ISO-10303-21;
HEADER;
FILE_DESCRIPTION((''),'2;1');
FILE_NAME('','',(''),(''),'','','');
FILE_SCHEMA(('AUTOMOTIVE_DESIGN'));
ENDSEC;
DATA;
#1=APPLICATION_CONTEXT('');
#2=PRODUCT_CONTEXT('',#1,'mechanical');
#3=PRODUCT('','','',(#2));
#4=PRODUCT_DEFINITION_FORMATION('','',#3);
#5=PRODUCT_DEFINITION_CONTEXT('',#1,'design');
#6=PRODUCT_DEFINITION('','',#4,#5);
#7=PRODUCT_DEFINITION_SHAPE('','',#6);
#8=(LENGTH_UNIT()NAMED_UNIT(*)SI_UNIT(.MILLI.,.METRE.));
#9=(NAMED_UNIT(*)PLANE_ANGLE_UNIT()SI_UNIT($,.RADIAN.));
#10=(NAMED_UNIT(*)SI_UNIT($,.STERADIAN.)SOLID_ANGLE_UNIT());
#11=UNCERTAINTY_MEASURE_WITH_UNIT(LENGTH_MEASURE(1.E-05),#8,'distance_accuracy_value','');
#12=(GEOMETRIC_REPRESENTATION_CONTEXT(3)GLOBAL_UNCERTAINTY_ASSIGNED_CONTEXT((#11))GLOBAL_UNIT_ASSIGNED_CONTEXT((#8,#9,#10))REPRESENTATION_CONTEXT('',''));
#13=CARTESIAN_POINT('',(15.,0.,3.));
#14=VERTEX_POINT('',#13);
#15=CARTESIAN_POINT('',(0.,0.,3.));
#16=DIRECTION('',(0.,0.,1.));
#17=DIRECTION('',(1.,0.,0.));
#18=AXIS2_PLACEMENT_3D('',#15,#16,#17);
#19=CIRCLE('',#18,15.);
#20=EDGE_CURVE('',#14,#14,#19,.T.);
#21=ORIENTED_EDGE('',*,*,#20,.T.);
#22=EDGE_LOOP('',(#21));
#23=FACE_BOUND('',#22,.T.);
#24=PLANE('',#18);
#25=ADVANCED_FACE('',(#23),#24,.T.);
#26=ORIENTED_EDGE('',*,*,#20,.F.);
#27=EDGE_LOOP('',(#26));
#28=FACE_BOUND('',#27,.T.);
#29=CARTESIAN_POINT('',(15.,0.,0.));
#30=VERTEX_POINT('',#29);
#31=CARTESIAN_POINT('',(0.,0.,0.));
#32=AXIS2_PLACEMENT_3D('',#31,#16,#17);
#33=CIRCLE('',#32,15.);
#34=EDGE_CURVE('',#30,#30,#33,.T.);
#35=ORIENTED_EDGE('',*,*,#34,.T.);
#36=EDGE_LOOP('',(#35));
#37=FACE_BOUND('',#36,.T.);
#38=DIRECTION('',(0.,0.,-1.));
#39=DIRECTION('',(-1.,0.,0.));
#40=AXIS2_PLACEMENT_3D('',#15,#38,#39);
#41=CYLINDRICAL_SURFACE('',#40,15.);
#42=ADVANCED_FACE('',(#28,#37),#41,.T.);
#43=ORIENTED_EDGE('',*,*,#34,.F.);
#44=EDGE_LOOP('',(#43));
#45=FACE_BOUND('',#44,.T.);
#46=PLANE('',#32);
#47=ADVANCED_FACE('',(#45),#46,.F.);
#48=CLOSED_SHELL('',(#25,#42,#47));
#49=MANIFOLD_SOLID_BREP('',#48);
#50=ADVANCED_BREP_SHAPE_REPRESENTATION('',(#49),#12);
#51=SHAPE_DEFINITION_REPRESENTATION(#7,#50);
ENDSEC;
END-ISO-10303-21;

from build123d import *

# Parameters (mm, degrees)
SKETCH_1_R      = 15
EXTRUDE_1_DEPTH = 3


with BuildPart() as part:
    # 草图1 → 凸台-拉伸1 (new body)
    with BuildSketch(Plane.XY):
        Circle(SKETCH_1_R)
    extrude(amount=EXTRUDE_1_DEPTH)


solid = part.part
